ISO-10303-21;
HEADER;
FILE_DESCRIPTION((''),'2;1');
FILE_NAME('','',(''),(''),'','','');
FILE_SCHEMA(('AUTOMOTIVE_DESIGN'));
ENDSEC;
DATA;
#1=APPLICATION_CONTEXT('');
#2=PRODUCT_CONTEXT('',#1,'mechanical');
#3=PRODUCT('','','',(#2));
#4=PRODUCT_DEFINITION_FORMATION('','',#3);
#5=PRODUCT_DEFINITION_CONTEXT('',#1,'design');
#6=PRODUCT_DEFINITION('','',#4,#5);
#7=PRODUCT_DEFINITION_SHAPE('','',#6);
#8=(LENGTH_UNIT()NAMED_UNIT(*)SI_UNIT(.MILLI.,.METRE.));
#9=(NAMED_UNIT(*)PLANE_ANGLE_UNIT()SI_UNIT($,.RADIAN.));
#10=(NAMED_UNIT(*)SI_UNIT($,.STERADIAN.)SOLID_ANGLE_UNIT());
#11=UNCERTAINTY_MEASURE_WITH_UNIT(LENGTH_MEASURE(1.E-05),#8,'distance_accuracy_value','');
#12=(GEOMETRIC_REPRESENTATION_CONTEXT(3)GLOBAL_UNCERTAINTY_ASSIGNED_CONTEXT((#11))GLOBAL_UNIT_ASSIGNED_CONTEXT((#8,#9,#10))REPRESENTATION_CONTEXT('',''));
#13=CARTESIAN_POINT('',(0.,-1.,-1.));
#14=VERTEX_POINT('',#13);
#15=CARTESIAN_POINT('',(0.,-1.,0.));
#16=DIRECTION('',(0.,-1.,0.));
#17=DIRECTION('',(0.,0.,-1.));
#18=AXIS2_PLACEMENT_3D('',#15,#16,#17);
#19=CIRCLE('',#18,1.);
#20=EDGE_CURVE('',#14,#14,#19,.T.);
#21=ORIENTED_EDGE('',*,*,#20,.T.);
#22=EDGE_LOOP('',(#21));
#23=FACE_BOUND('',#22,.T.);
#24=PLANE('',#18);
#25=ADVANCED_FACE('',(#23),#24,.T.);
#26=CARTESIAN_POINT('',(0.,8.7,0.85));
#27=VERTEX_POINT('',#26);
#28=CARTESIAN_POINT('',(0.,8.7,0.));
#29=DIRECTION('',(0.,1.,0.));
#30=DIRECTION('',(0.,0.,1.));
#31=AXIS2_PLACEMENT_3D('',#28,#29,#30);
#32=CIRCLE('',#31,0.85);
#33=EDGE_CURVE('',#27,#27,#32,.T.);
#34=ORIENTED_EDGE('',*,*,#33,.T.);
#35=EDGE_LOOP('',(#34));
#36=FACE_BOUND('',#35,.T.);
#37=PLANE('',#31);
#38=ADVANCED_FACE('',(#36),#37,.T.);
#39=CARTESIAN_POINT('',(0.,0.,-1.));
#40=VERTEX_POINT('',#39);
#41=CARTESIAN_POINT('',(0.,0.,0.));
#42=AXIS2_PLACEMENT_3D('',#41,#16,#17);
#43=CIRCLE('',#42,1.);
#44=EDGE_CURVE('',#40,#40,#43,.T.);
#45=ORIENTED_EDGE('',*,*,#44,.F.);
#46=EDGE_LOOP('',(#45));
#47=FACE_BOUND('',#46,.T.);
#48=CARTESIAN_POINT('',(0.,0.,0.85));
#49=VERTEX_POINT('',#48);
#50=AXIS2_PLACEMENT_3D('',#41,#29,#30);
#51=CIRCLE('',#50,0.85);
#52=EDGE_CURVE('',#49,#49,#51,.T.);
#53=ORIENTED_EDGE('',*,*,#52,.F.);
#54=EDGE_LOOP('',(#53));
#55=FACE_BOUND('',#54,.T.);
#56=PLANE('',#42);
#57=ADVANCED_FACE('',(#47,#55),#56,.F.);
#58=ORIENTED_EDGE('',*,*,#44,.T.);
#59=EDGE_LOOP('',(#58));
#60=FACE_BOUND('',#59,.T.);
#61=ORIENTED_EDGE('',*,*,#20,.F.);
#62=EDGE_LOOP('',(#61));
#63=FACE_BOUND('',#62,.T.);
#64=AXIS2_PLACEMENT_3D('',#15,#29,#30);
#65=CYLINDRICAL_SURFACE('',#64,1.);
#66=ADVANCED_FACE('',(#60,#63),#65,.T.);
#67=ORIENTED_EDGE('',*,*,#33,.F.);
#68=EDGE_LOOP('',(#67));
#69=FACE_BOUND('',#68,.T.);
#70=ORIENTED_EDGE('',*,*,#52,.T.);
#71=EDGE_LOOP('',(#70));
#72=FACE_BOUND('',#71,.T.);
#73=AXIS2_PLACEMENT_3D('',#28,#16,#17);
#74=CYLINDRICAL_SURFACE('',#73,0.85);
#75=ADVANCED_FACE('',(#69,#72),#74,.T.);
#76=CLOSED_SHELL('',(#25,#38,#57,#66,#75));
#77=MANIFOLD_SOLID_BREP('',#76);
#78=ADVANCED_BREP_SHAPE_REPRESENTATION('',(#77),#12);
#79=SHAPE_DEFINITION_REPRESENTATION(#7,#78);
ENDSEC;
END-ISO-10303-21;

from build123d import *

# Parameters (mm, degrees)
SKETCH_2_R      = 0.85
EXTRUDE_1_DEPTH = 8.7
SKETCH_3_R      = 1
EXTRUDE_2_DEPTH = 1


with BuildPart() as part:
    # 草图2 → 凸台-拉伸1 (new body)
    with BuildSketch(Plane(origin=(0, 0, 0), x_dir=(1, 0, 0), z_dir=(0, 1, 0))):
        Circle(SKETCH_2_R)
    extrude(amount=EXTRUDE_1_DEPTH)

    # 草图3 → 凸台-拉伸2 (add)
    with BuildSketch(Plane.XZ):
        Circle(SKETCH_3_R)
    extrude(amount=EXTRUDE_2_DEPTH)


solid = part.part
